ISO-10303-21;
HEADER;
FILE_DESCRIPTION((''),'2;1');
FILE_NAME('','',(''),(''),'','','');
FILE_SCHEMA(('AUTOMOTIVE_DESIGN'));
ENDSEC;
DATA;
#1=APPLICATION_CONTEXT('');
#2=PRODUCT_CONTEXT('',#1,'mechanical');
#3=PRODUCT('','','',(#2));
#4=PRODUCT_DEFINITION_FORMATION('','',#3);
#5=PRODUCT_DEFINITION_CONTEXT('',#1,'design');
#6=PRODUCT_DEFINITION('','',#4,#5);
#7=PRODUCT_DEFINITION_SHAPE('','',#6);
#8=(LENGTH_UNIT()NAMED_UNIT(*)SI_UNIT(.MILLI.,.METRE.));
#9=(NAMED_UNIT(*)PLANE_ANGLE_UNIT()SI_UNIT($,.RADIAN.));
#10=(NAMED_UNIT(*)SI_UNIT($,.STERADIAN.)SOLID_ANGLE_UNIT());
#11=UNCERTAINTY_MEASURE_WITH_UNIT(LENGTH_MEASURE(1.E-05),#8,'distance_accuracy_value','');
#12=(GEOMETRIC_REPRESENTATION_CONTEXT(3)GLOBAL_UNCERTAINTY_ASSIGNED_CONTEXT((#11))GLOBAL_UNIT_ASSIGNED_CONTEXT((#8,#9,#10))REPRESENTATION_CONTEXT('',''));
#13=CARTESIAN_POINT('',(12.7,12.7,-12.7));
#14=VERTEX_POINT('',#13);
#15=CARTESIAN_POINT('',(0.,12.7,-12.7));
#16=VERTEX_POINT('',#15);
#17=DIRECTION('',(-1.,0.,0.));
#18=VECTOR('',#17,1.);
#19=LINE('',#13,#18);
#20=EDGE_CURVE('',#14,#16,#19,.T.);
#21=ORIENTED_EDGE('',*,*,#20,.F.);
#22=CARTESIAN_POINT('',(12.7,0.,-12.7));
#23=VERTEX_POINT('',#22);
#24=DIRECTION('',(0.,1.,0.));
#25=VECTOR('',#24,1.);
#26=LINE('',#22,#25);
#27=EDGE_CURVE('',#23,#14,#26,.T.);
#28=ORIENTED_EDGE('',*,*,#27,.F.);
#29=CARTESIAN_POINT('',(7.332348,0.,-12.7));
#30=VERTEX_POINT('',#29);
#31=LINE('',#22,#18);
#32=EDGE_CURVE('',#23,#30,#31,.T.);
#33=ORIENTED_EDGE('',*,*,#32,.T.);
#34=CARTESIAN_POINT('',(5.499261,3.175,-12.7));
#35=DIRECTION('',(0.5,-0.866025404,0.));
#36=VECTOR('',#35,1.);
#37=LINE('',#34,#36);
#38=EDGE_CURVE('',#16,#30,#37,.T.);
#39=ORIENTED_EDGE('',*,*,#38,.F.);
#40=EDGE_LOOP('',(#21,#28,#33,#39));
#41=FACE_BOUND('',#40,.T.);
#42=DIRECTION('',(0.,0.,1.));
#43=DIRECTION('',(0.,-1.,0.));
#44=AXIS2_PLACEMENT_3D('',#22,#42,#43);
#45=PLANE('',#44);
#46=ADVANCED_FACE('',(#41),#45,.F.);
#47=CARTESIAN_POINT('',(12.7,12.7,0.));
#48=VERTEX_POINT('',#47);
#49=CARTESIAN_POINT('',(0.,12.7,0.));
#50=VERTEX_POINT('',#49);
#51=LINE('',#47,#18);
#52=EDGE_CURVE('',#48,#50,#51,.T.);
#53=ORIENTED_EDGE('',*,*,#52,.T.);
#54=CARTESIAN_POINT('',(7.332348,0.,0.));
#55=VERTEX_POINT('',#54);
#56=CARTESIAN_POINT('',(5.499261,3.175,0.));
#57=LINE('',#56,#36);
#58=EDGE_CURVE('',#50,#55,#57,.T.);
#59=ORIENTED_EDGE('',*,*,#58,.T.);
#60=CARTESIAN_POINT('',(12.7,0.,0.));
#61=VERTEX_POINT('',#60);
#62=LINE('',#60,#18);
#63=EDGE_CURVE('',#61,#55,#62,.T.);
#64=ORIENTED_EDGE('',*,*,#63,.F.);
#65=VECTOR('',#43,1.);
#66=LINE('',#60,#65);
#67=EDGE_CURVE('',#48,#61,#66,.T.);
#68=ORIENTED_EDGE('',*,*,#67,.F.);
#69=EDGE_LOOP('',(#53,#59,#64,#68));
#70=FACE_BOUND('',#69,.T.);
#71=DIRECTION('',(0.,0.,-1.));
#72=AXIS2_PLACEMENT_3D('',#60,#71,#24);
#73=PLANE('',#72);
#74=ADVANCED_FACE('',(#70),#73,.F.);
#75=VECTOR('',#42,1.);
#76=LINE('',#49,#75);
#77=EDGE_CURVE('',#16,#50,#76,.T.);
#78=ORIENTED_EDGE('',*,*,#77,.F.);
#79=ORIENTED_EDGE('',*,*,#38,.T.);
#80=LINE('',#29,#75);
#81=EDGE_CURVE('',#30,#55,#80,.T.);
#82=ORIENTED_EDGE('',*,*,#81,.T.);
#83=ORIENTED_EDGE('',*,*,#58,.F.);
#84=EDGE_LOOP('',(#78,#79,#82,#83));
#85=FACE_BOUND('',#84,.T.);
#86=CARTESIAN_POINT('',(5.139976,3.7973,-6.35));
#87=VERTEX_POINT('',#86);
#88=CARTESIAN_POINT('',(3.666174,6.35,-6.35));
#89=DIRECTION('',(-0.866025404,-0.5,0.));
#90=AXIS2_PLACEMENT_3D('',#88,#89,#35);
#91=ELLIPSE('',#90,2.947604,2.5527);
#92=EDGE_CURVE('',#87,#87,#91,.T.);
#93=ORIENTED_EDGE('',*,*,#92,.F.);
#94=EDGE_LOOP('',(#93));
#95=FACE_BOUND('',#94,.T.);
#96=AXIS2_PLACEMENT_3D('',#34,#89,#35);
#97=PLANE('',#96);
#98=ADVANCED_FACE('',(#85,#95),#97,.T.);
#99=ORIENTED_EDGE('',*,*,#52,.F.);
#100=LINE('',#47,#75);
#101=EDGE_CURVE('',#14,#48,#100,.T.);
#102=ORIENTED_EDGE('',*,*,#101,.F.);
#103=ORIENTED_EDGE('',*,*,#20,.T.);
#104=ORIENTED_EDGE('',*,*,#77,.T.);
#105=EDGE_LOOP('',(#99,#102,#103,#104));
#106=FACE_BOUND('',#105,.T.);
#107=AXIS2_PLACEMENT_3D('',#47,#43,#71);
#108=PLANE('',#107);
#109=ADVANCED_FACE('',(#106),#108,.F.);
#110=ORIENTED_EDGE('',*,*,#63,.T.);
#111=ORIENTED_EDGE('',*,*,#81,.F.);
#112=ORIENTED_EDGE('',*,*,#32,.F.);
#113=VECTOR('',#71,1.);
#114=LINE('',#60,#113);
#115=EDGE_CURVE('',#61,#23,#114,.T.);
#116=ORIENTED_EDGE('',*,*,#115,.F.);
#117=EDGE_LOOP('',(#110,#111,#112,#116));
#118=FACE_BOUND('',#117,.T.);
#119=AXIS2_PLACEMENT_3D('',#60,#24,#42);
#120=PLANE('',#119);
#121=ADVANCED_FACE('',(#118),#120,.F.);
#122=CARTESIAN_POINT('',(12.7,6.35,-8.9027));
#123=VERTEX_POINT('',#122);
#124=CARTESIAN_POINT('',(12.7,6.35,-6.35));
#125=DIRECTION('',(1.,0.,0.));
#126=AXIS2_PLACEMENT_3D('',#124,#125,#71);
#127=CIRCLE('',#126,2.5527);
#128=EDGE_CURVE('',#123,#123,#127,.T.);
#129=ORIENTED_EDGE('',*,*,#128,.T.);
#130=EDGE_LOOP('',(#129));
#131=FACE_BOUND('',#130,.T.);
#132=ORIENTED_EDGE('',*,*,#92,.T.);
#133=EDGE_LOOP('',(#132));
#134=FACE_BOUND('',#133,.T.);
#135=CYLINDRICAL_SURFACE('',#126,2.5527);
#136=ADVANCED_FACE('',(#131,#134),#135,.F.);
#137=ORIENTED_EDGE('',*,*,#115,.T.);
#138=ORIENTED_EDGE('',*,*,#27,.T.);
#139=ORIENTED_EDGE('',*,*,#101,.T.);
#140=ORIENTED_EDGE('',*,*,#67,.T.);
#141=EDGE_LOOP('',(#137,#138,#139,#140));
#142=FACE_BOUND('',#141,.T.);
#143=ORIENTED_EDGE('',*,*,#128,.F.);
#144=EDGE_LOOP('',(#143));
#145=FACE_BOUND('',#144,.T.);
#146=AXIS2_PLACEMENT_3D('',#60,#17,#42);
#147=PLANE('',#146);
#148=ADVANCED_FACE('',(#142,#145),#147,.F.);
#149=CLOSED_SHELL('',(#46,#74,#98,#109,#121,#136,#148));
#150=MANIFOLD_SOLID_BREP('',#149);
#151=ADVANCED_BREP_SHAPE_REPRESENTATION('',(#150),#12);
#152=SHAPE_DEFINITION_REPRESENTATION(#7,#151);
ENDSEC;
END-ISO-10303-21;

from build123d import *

# Parameters (mm, degrees)
SKETCH1_W              = 12.7
SKETCH1_H              = 12.7
BOSS_EXTRUDE1_DEPTH    = 12.7
CUT_EXTRUDE1_DEPTH     = 13.7
F_10_CLEARANCE_HOLE1_D = 5.1054


with BuildPart() as part:
    # Sketch1 → Boss-Extrude1 (new body)
    with BuildSketch(Plane(origin=(0, 0, 0), x_dir=(0, 0, -1), z_dir=(1, 0, 0))):
        with Locations((6.35, 6.35)):
            Rectangle(SKETCH1_W, SKETCH1_H)
    extrude(amount=BOSS_EXTRUDE1_DEPTH)

    # Sketch2 → Cut-Extrude1 (cut, through all)
    with BuildSketch(Plane.XY):
        Polygon((7.332348419, 0), (0, 12.7), (0, 0), align=None)
    extrude(amount=-CUT_EXTRUDE1_DEPTH, mode=Mode.SUBTRACT)

    # #10 Clearance Hole1 (through all)
    with Locations(Plane(origin=(12.7, 6.35, -6.35), x_dir=(0, 0, 1), z_dir=(1, 0, 0))):
        with Locations((0, 0)):
            Hole(F_10_CLEARANCE_HOLE1_D / 2)


solid = part.part
